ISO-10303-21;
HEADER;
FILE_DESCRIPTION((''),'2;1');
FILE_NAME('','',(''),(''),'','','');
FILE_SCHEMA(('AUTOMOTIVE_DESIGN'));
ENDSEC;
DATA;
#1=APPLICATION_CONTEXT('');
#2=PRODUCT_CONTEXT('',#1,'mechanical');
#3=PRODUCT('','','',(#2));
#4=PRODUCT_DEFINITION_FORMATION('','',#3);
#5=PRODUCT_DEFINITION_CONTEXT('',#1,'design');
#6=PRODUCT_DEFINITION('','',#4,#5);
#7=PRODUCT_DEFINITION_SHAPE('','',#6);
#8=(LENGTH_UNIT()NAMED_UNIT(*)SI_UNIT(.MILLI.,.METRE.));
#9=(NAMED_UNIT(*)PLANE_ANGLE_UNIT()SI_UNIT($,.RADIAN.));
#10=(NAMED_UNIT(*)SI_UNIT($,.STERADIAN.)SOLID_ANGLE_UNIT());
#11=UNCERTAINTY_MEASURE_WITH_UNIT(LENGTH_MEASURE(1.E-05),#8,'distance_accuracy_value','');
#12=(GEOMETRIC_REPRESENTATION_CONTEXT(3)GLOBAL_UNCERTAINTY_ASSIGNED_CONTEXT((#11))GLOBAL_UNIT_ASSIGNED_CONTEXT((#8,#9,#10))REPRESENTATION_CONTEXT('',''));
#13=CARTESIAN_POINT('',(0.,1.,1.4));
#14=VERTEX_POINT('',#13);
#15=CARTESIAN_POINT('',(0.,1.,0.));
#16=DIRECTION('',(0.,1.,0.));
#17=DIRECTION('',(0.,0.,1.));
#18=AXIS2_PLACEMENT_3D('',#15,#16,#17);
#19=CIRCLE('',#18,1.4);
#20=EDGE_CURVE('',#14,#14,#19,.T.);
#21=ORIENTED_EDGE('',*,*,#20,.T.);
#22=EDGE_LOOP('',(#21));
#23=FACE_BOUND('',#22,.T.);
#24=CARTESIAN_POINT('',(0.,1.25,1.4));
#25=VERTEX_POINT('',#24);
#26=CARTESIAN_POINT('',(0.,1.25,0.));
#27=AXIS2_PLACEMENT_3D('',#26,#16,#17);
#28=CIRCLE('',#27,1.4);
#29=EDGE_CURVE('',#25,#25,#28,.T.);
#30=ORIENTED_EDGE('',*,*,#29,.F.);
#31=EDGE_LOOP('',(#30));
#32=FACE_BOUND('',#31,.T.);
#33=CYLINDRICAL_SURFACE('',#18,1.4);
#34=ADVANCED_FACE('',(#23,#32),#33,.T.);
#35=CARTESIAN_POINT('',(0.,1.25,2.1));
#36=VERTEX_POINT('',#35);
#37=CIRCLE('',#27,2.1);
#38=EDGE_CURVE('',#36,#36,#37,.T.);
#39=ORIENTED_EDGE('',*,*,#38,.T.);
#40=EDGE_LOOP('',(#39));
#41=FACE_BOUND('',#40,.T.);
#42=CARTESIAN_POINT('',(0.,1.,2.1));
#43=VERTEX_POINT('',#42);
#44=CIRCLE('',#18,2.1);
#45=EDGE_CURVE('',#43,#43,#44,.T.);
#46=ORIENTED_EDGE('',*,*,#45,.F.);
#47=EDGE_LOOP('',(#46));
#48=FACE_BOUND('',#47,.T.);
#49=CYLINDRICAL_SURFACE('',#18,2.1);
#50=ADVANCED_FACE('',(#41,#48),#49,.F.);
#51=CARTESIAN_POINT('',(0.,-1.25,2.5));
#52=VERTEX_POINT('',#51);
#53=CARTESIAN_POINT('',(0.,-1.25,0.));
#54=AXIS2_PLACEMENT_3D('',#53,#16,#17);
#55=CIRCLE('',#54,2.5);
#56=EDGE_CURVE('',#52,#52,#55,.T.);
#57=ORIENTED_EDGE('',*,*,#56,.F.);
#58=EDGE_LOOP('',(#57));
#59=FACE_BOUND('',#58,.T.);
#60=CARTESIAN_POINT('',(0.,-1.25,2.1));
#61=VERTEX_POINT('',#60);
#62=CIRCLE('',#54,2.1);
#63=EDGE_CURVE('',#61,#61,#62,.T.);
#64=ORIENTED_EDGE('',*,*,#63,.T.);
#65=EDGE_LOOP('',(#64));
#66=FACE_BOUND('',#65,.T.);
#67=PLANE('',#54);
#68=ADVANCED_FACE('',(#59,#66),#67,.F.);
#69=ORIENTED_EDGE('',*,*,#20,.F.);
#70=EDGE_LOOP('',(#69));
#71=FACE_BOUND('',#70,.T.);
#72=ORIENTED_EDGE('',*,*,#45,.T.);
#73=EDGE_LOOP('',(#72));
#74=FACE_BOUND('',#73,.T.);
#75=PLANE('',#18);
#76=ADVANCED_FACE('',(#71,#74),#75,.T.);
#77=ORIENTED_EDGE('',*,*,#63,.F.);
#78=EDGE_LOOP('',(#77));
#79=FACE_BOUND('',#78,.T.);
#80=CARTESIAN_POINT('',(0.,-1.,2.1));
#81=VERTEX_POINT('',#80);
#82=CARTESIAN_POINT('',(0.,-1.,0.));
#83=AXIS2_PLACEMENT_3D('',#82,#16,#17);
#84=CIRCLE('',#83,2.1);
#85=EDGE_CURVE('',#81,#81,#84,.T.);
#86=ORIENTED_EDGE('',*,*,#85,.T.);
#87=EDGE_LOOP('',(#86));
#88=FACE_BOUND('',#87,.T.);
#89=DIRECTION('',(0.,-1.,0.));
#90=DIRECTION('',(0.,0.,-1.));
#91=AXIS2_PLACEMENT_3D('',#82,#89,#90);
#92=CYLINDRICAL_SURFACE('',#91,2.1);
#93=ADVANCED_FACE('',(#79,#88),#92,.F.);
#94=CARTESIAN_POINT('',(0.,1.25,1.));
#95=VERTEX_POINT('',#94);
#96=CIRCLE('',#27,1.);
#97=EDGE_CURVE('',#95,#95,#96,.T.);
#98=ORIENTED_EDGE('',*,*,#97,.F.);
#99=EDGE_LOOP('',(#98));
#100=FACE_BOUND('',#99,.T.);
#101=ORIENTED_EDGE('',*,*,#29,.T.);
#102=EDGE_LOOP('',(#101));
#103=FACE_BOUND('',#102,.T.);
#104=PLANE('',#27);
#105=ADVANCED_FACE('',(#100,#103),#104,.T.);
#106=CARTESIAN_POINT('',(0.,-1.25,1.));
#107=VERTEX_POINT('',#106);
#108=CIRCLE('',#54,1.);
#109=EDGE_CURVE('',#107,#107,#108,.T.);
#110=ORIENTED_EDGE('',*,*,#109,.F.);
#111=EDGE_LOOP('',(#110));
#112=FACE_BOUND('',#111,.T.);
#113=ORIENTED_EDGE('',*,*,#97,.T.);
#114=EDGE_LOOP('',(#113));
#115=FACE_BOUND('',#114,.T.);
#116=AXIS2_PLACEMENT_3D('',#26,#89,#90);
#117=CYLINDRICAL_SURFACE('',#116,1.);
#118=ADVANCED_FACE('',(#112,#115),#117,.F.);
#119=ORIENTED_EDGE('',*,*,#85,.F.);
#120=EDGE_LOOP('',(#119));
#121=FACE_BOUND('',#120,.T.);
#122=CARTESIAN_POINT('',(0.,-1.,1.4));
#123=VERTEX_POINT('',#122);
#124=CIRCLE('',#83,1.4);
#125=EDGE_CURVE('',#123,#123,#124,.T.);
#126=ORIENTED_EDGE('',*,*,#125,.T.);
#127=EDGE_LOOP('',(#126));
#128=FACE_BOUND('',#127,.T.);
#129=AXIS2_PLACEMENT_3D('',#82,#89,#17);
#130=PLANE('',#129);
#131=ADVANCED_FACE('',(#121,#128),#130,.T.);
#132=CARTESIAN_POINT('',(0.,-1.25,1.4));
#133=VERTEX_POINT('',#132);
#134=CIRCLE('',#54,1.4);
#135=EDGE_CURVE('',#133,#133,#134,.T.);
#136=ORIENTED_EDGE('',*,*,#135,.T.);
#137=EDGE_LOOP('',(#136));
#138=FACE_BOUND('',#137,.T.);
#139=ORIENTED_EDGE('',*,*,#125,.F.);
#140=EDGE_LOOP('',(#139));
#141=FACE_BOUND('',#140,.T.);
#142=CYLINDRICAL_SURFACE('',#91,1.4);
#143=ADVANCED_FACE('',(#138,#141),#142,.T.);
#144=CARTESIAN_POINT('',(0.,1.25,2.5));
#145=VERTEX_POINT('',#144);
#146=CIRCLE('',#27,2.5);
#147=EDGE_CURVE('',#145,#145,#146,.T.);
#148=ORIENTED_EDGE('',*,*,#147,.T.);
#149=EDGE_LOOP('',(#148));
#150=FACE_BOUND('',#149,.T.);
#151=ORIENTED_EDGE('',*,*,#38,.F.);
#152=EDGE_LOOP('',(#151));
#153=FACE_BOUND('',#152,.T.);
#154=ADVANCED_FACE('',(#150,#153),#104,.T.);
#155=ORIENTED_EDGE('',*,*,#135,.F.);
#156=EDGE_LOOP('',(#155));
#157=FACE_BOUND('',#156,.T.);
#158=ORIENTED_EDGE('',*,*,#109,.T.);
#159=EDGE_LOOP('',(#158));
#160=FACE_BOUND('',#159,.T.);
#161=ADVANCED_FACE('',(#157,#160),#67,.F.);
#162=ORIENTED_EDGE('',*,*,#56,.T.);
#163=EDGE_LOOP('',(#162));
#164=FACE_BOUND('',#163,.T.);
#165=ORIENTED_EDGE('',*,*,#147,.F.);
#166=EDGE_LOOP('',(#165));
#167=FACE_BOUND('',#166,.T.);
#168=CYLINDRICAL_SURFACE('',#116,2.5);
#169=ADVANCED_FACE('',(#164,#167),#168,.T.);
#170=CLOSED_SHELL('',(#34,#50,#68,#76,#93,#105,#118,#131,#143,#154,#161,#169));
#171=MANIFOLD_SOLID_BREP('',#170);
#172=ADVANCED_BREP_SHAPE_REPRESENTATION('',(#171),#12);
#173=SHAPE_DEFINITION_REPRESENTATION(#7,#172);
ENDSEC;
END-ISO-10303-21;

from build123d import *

# Parameters (mm, degrees)
SKETCH1_R           = 2.5
SKETCH1_R_2         = 1
BOSS_EXTRUDE1_DEPTH = 1.25
SKETCH2_R           = 2.1
SKETCH2_R_2         = 1.4
CUT_EXTRUDE1_DEPTH  = 0.25


with BuildPart() as part:
    # Sketch1 → Boss-Extrude1 (new body, symmetric)
    with BuildSketch(Plane(origin=(0, 0, 0), x_dir=(1, 0, 0), z_dir=(0, 1, 0))):
        Circle(SKETCH1_R)
        Circle(SKETCH1_R_2, mode=Mode.SUBTRACT)
    extrude(amount=BOSS_EXTRUDE1_DEPTH, both=True)

    # Sketch2 → Cut-Extrude1 (cut)
    with BuildSketch(Plane(origin=(0, 1.25, 0), x_dir=(1, 0, 0), z_dir=(0, 1, 0))):
        Circle(SKETCH2_R)
        Circle(SKETCH2_R_2, mode=Mode.SUBTRACT)
    cut_extrude1 = extrude(amount=-CUT_EXTRUDE1_DEPTH, mode=Mode.SUBTRACT)

    # Mirror1: Cut-Extrude1 across plane
    add(cut_extrude1.mirror(Plane.ZX), mode=Mode.SUBTRACT)


solid = part.part
